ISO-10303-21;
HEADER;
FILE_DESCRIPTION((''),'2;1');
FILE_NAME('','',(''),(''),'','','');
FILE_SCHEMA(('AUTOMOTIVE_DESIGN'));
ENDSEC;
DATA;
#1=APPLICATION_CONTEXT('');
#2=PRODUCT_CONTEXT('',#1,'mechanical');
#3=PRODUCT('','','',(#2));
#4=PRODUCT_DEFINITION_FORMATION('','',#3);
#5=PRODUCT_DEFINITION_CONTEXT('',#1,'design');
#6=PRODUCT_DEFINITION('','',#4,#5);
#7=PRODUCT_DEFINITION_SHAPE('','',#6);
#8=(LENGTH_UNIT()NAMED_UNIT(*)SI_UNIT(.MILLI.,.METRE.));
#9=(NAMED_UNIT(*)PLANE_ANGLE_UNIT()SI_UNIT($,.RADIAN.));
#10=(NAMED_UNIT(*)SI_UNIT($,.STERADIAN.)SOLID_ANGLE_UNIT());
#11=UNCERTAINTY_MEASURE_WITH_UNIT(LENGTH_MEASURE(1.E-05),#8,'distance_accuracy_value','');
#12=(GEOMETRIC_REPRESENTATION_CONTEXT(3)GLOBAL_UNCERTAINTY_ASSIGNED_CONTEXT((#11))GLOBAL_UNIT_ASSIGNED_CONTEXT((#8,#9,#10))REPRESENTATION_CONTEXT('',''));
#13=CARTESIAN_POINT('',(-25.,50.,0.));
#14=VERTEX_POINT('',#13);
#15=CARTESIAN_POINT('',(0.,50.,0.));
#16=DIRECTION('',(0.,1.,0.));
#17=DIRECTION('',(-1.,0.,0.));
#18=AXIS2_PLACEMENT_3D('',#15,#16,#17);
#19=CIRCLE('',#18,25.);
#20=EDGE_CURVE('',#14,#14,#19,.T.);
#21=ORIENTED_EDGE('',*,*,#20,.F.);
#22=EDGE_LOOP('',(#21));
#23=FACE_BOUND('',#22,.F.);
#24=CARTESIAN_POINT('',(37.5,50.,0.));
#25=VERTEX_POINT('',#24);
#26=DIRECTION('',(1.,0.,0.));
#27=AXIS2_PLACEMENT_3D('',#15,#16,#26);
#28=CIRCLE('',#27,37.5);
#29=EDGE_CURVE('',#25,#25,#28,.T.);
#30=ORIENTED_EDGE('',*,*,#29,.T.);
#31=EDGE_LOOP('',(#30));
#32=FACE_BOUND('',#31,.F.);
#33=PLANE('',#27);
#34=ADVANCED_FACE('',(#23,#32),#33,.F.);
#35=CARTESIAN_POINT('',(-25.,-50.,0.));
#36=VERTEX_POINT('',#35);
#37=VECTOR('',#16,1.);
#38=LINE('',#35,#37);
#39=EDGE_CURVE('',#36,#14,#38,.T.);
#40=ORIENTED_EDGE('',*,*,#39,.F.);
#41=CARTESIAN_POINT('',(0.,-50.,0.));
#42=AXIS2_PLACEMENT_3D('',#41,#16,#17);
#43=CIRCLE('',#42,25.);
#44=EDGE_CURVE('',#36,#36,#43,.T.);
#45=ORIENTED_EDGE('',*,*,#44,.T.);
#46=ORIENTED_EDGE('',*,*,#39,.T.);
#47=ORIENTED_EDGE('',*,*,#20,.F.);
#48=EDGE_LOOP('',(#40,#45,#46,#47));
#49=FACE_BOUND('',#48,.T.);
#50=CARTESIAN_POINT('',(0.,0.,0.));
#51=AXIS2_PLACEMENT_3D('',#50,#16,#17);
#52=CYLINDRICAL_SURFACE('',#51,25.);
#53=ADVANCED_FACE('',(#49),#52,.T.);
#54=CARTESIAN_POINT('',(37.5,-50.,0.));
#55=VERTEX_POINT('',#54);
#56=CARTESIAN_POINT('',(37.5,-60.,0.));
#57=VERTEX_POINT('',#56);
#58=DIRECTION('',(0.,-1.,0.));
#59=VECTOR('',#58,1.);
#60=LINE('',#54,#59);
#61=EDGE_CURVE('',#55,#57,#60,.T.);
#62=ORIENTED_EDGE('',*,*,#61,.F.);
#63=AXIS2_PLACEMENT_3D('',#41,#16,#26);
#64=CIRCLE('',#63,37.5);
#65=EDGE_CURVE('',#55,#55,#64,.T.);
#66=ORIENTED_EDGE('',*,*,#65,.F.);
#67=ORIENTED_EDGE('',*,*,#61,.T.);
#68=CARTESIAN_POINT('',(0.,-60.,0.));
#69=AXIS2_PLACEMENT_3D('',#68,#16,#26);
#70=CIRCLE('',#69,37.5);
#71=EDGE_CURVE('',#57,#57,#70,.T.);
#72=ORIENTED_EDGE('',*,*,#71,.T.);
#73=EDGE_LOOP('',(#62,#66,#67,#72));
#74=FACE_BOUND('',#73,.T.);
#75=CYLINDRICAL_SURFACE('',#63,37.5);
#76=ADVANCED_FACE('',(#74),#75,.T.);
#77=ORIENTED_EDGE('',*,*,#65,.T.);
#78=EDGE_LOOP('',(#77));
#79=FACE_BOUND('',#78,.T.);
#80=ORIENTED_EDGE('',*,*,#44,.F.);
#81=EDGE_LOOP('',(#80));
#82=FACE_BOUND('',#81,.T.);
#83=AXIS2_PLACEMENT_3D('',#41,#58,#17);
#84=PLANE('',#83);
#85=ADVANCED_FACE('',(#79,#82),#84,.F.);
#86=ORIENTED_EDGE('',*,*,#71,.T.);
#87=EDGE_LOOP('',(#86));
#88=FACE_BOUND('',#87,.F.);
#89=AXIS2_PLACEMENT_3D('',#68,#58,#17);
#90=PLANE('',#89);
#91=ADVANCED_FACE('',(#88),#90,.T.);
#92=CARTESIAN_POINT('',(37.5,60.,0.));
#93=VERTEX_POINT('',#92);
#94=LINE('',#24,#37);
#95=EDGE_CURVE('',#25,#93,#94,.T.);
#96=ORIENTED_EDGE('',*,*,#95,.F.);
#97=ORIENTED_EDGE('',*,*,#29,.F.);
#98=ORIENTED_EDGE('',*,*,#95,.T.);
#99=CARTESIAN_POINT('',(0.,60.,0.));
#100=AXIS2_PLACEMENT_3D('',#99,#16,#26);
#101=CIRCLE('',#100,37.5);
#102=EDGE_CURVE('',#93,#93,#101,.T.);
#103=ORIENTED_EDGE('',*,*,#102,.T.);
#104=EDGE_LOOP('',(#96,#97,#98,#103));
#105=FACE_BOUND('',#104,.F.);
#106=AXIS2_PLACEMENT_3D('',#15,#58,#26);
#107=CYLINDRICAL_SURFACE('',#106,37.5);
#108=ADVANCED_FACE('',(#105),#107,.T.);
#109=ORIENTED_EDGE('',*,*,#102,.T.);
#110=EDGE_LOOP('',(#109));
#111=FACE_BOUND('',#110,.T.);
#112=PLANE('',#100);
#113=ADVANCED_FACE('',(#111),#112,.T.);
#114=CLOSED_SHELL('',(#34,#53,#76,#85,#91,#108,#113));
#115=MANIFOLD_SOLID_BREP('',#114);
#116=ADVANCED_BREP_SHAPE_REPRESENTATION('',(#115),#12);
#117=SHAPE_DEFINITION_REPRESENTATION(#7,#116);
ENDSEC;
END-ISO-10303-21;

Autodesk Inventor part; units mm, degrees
ref_plane "YZ Plane" through (0, 0, 0) normal (1, 0, 0) x (0, 1, 0)
ref_plane "XZ Plane" through (0, 0, 0) normal (0, 1, 0) x (-1, 0, 0)
ref_plane "XY Plane" through (0, 0, 0) normal (0, 0, 1) x (1, 0, 0)
sketch "Sketch1" plane through (0, 0, 0) normal (0, 1, 0) x (-1, 0, 0)
  circle A0 centre (0, 0) radius 25
  dimension "d0" = 50
extrude "Extrusion1" add sketch "Sketch1" along normal mid plane 100
sketch "Sketch2" plane through (0, 50, 0) normal (0, 1, 0) x (1, 0, 0)
  circle A0 centre (0, 0) radius 37.5
  dimension "d3" = 75
extrude "Extrusion2" add sketch "Sketch2" along normal blind 10
mirror "Mirror1" about plane through (0, 0, 0) normal (0, 1, 0) of "Extrusion2"
properties part number "joint2"
